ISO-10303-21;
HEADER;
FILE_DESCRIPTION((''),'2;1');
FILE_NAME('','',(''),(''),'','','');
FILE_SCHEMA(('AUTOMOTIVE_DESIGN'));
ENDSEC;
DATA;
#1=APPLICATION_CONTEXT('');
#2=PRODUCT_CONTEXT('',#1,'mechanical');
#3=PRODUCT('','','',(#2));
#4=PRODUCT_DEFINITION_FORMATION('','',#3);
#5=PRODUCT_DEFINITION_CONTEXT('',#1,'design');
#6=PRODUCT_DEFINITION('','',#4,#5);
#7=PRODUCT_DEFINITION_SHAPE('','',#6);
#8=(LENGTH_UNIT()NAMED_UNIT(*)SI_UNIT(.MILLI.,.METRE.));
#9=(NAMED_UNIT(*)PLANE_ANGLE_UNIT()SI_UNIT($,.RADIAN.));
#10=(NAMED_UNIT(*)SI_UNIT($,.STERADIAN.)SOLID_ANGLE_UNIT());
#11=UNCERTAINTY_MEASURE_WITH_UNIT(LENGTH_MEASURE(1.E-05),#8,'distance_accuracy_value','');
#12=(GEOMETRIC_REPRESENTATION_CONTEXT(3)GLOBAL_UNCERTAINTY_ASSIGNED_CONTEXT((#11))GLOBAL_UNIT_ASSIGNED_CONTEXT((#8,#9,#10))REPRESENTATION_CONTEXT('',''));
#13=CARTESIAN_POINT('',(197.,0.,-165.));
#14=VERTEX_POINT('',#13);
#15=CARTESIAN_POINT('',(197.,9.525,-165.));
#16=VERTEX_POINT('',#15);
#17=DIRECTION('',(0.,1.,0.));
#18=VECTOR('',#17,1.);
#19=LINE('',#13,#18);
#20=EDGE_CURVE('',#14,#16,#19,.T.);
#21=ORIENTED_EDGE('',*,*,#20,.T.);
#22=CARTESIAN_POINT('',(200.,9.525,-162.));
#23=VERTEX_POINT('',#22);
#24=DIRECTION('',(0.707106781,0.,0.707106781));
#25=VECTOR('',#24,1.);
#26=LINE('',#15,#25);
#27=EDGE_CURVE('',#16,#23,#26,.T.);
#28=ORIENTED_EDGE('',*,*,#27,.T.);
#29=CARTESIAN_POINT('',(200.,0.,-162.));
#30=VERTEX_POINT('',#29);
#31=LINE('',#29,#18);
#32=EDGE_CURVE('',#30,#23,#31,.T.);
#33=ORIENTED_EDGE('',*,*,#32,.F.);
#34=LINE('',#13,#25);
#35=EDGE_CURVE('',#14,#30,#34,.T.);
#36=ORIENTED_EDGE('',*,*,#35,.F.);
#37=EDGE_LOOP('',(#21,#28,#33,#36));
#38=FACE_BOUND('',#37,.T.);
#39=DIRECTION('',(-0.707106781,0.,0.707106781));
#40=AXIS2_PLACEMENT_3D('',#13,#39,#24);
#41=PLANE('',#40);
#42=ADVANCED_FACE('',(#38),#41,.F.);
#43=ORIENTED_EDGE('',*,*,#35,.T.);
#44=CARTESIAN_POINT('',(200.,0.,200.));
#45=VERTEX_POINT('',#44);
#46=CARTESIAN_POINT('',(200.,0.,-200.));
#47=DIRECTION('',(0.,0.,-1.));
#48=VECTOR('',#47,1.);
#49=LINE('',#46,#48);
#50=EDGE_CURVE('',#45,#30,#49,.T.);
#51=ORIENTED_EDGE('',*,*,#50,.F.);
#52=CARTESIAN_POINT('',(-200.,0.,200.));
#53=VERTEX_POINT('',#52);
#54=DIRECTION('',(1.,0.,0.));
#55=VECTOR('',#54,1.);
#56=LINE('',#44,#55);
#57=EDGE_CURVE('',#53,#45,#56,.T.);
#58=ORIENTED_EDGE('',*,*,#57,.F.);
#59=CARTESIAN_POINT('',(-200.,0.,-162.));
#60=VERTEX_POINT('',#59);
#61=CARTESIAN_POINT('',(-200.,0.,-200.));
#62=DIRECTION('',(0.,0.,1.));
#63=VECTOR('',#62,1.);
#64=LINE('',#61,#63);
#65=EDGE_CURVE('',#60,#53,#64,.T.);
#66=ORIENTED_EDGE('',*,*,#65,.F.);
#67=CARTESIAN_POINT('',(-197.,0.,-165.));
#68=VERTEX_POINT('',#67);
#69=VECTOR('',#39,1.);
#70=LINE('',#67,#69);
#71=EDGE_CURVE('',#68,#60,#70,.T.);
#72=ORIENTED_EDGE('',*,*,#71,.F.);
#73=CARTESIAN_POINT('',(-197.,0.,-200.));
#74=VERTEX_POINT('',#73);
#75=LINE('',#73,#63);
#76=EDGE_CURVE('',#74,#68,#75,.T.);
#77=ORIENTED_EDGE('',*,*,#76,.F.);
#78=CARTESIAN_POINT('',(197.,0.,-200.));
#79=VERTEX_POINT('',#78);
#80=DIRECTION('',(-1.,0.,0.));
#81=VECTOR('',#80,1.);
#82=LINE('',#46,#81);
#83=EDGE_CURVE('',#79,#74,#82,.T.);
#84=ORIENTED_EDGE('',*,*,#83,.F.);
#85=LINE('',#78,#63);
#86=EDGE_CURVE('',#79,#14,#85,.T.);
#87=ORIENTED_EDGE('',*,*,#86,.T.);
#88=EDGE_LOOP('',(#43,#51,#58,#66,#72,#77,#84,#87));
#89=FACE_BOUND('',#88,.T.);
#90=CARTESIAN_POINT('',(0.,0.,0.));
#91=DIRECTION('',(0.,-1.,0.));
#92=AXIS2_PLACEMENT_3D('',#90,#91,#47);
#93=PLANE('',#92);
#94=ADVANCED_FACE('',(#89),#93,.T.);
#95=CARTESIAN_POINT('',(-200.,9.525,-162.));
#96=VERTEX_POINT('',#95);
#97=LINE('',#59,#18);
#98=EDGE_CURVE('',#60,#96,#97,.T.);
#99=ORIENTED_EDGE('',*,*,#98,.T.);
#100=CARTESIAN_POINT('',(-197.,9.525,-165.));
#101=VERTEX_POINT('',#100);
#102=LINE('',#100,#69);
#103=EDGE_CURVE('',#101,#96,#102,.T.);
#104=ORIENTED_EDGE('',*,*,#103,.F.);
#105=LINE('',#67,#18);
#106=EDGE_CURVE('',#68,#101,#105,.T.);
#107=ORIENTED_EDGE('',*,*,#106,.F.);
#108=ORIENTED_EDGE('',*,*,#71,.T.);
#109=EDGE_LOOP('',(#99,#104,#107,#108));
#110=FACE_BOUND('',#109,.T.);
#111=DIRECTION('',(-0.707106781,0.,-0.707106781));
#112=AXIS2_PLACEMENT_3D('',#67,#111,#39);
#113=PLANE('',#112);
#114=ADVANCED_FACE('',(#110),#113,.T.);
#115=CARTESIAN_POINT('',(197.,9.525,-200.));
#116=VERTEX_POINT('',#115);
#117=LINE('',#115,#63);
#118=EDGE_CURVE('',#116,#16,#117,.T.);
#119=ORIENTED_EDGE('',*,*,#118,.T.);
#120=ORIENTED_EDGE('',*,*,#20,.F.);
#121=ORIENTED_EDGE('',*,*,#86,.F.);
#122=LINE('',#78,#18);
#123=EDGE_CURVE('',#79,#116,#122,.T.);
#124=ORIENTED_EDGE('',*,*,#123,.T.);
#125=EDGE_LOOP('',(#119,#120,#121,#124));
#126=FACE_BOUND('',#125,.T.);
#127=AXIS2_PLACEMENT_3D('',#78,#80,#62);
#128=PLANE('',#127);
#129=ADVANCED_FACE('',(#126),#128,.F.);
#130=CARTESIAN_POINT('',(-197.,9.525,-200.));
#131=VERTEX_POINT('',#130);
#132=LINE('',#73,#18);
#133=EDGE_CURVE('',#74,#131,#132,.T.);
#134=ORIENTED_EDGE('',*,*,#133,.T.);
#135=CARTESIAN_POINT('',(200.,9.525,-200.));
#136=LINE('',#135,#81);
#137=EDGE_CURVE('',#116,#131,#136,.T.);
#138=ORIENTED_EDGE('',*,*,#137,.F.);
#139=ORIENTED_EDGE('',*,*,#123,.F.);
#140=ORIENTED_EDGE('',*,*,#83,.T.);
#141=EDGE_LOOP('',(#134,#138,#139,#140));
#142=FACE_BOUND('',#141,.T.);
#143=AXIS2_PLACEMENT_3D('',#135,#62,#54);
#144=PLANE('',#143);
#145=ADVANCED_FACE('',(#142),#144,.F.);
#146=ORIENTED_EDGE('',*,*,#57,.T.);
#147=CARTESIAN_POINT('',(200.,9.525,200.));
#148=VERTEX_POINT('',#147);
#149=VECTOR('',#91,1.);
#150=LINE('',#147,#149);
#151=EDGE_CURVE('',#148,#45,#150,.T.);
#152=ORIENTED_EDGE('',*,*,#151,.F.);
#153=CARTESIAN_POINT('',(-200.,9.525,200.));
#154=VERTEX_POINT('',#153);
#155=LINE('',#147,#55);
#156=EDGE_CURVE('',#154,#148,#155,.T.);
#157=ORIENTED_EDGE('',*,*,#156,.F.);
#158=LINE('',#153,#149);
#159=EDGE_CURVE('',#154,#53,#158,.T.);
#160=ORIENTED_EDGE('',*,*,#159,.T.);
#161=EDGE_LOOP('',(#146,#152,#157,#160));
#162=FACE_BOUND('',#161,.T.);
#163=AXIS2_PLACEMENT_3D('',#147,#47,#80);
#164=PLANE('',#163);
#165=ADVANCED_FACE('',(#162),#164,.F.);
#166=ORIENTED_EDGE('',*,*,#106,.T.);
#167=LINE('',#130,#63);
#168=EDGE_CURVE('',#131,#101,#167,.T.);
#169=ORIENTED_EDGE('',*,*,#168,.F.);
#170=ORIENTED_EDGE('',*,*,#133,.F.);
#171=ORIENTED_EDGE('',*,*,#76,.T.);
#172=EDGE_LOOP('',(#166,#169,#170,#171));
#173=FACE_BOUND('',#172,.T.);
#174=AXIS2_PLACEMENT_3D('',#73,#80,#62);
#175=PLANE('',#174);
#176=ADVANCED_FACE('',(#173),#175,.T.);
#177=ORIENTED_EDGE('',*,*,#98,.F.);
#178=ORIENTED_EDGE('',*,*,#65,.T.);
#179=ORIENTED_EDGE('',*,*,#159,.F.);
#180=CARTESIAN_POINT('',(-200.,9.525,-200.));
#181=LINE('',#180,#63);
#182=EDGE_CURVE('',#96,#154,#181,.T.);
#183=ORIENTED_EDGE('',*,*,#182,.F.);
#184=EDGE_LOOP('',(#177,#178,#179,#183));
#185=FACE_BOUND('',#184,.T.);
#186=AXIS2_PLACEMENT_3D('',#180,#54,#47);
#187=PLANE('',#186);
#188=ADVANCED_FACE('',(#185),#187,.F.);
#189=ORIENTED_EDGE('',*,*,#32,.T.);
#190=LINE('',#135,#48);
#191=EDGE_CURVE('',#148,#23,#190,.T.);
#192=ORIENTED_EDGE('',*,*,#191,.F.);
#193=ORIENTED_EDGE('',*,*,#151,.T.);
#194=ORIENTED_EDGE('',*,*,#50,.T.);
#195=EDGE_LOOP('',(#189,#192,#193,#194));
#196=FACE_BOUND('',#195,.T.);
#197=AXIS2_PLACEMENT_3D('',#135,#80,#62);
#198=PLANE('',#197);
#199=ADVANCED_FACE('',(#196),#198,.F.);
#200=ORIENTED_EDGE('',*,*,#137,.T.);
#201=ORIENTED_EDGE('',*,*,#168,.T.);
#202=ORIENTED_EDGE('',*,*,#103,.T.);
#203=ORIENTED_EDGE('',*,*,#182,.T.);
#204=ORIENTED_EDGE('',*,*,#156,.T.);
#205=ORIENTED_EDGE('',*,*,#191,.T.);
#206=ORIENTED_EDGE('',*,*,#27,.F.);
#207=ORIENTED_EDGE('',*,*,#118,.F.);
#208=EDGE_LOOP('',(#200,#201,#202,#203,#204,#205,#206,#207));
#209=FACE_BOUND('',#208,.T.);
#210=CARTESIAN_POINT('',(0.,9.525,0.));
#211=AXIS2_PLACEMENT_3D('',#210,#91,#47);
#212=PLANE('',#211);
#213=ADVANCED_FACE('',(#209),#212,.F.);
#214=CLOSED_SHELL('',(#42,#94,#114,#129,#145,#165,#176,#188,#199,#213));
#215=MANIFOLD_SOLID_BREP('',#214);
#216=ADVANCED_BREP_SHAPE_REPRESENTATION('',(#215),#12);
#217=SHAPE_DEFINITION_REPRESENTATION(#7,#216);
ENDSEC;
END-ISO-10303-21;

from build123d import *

# Parameters (mm, degrees)
SKETCH1_W           = 400
SKETCH1_H           = 400
BOSS_EXTRUDE1_DEPTH = 9.525
CUT_EXTRUDE1_DEPTH  = 10.525


with BuildPart() as part:
    # Sketch1 → Boss-Extrude1 (new body)
    with BuildSketch(Plane(origin=(0, 0, 0), x_dir=(1, 0, 0), z_dir=(0, 1, 0))):
        Rectangle(SKETCH1_W, SKETCH1_H)
    extrude(amount=BOSS_EXTRUDE1_DEPTH)

    # Sketch2 → Cut-Extrude1 (cut, through all)
    with BuildSketch(Plane(origin=(0, 9.525, 0), x_dir=(1, 0, 0), z_dir=(0, 1, 0))):
        Polygon((197, 200), (197, 165), (200, 162), (200, 200), align=None)
    cut_extrude1 = extrude(amount=-CUT_EXTRUDE1_DEPTH, mode=Mode.SUBTRACT)

    # Mirror1: Cut-Extrude1 across plane
    add(cut_extrude1.mirror(Plane(origin=(0, 0, 0), x_dir=(0, 0, 1), z_dir=(1, 0, 0))), mode=Mode.SUBTRACT)


solid = part.part
